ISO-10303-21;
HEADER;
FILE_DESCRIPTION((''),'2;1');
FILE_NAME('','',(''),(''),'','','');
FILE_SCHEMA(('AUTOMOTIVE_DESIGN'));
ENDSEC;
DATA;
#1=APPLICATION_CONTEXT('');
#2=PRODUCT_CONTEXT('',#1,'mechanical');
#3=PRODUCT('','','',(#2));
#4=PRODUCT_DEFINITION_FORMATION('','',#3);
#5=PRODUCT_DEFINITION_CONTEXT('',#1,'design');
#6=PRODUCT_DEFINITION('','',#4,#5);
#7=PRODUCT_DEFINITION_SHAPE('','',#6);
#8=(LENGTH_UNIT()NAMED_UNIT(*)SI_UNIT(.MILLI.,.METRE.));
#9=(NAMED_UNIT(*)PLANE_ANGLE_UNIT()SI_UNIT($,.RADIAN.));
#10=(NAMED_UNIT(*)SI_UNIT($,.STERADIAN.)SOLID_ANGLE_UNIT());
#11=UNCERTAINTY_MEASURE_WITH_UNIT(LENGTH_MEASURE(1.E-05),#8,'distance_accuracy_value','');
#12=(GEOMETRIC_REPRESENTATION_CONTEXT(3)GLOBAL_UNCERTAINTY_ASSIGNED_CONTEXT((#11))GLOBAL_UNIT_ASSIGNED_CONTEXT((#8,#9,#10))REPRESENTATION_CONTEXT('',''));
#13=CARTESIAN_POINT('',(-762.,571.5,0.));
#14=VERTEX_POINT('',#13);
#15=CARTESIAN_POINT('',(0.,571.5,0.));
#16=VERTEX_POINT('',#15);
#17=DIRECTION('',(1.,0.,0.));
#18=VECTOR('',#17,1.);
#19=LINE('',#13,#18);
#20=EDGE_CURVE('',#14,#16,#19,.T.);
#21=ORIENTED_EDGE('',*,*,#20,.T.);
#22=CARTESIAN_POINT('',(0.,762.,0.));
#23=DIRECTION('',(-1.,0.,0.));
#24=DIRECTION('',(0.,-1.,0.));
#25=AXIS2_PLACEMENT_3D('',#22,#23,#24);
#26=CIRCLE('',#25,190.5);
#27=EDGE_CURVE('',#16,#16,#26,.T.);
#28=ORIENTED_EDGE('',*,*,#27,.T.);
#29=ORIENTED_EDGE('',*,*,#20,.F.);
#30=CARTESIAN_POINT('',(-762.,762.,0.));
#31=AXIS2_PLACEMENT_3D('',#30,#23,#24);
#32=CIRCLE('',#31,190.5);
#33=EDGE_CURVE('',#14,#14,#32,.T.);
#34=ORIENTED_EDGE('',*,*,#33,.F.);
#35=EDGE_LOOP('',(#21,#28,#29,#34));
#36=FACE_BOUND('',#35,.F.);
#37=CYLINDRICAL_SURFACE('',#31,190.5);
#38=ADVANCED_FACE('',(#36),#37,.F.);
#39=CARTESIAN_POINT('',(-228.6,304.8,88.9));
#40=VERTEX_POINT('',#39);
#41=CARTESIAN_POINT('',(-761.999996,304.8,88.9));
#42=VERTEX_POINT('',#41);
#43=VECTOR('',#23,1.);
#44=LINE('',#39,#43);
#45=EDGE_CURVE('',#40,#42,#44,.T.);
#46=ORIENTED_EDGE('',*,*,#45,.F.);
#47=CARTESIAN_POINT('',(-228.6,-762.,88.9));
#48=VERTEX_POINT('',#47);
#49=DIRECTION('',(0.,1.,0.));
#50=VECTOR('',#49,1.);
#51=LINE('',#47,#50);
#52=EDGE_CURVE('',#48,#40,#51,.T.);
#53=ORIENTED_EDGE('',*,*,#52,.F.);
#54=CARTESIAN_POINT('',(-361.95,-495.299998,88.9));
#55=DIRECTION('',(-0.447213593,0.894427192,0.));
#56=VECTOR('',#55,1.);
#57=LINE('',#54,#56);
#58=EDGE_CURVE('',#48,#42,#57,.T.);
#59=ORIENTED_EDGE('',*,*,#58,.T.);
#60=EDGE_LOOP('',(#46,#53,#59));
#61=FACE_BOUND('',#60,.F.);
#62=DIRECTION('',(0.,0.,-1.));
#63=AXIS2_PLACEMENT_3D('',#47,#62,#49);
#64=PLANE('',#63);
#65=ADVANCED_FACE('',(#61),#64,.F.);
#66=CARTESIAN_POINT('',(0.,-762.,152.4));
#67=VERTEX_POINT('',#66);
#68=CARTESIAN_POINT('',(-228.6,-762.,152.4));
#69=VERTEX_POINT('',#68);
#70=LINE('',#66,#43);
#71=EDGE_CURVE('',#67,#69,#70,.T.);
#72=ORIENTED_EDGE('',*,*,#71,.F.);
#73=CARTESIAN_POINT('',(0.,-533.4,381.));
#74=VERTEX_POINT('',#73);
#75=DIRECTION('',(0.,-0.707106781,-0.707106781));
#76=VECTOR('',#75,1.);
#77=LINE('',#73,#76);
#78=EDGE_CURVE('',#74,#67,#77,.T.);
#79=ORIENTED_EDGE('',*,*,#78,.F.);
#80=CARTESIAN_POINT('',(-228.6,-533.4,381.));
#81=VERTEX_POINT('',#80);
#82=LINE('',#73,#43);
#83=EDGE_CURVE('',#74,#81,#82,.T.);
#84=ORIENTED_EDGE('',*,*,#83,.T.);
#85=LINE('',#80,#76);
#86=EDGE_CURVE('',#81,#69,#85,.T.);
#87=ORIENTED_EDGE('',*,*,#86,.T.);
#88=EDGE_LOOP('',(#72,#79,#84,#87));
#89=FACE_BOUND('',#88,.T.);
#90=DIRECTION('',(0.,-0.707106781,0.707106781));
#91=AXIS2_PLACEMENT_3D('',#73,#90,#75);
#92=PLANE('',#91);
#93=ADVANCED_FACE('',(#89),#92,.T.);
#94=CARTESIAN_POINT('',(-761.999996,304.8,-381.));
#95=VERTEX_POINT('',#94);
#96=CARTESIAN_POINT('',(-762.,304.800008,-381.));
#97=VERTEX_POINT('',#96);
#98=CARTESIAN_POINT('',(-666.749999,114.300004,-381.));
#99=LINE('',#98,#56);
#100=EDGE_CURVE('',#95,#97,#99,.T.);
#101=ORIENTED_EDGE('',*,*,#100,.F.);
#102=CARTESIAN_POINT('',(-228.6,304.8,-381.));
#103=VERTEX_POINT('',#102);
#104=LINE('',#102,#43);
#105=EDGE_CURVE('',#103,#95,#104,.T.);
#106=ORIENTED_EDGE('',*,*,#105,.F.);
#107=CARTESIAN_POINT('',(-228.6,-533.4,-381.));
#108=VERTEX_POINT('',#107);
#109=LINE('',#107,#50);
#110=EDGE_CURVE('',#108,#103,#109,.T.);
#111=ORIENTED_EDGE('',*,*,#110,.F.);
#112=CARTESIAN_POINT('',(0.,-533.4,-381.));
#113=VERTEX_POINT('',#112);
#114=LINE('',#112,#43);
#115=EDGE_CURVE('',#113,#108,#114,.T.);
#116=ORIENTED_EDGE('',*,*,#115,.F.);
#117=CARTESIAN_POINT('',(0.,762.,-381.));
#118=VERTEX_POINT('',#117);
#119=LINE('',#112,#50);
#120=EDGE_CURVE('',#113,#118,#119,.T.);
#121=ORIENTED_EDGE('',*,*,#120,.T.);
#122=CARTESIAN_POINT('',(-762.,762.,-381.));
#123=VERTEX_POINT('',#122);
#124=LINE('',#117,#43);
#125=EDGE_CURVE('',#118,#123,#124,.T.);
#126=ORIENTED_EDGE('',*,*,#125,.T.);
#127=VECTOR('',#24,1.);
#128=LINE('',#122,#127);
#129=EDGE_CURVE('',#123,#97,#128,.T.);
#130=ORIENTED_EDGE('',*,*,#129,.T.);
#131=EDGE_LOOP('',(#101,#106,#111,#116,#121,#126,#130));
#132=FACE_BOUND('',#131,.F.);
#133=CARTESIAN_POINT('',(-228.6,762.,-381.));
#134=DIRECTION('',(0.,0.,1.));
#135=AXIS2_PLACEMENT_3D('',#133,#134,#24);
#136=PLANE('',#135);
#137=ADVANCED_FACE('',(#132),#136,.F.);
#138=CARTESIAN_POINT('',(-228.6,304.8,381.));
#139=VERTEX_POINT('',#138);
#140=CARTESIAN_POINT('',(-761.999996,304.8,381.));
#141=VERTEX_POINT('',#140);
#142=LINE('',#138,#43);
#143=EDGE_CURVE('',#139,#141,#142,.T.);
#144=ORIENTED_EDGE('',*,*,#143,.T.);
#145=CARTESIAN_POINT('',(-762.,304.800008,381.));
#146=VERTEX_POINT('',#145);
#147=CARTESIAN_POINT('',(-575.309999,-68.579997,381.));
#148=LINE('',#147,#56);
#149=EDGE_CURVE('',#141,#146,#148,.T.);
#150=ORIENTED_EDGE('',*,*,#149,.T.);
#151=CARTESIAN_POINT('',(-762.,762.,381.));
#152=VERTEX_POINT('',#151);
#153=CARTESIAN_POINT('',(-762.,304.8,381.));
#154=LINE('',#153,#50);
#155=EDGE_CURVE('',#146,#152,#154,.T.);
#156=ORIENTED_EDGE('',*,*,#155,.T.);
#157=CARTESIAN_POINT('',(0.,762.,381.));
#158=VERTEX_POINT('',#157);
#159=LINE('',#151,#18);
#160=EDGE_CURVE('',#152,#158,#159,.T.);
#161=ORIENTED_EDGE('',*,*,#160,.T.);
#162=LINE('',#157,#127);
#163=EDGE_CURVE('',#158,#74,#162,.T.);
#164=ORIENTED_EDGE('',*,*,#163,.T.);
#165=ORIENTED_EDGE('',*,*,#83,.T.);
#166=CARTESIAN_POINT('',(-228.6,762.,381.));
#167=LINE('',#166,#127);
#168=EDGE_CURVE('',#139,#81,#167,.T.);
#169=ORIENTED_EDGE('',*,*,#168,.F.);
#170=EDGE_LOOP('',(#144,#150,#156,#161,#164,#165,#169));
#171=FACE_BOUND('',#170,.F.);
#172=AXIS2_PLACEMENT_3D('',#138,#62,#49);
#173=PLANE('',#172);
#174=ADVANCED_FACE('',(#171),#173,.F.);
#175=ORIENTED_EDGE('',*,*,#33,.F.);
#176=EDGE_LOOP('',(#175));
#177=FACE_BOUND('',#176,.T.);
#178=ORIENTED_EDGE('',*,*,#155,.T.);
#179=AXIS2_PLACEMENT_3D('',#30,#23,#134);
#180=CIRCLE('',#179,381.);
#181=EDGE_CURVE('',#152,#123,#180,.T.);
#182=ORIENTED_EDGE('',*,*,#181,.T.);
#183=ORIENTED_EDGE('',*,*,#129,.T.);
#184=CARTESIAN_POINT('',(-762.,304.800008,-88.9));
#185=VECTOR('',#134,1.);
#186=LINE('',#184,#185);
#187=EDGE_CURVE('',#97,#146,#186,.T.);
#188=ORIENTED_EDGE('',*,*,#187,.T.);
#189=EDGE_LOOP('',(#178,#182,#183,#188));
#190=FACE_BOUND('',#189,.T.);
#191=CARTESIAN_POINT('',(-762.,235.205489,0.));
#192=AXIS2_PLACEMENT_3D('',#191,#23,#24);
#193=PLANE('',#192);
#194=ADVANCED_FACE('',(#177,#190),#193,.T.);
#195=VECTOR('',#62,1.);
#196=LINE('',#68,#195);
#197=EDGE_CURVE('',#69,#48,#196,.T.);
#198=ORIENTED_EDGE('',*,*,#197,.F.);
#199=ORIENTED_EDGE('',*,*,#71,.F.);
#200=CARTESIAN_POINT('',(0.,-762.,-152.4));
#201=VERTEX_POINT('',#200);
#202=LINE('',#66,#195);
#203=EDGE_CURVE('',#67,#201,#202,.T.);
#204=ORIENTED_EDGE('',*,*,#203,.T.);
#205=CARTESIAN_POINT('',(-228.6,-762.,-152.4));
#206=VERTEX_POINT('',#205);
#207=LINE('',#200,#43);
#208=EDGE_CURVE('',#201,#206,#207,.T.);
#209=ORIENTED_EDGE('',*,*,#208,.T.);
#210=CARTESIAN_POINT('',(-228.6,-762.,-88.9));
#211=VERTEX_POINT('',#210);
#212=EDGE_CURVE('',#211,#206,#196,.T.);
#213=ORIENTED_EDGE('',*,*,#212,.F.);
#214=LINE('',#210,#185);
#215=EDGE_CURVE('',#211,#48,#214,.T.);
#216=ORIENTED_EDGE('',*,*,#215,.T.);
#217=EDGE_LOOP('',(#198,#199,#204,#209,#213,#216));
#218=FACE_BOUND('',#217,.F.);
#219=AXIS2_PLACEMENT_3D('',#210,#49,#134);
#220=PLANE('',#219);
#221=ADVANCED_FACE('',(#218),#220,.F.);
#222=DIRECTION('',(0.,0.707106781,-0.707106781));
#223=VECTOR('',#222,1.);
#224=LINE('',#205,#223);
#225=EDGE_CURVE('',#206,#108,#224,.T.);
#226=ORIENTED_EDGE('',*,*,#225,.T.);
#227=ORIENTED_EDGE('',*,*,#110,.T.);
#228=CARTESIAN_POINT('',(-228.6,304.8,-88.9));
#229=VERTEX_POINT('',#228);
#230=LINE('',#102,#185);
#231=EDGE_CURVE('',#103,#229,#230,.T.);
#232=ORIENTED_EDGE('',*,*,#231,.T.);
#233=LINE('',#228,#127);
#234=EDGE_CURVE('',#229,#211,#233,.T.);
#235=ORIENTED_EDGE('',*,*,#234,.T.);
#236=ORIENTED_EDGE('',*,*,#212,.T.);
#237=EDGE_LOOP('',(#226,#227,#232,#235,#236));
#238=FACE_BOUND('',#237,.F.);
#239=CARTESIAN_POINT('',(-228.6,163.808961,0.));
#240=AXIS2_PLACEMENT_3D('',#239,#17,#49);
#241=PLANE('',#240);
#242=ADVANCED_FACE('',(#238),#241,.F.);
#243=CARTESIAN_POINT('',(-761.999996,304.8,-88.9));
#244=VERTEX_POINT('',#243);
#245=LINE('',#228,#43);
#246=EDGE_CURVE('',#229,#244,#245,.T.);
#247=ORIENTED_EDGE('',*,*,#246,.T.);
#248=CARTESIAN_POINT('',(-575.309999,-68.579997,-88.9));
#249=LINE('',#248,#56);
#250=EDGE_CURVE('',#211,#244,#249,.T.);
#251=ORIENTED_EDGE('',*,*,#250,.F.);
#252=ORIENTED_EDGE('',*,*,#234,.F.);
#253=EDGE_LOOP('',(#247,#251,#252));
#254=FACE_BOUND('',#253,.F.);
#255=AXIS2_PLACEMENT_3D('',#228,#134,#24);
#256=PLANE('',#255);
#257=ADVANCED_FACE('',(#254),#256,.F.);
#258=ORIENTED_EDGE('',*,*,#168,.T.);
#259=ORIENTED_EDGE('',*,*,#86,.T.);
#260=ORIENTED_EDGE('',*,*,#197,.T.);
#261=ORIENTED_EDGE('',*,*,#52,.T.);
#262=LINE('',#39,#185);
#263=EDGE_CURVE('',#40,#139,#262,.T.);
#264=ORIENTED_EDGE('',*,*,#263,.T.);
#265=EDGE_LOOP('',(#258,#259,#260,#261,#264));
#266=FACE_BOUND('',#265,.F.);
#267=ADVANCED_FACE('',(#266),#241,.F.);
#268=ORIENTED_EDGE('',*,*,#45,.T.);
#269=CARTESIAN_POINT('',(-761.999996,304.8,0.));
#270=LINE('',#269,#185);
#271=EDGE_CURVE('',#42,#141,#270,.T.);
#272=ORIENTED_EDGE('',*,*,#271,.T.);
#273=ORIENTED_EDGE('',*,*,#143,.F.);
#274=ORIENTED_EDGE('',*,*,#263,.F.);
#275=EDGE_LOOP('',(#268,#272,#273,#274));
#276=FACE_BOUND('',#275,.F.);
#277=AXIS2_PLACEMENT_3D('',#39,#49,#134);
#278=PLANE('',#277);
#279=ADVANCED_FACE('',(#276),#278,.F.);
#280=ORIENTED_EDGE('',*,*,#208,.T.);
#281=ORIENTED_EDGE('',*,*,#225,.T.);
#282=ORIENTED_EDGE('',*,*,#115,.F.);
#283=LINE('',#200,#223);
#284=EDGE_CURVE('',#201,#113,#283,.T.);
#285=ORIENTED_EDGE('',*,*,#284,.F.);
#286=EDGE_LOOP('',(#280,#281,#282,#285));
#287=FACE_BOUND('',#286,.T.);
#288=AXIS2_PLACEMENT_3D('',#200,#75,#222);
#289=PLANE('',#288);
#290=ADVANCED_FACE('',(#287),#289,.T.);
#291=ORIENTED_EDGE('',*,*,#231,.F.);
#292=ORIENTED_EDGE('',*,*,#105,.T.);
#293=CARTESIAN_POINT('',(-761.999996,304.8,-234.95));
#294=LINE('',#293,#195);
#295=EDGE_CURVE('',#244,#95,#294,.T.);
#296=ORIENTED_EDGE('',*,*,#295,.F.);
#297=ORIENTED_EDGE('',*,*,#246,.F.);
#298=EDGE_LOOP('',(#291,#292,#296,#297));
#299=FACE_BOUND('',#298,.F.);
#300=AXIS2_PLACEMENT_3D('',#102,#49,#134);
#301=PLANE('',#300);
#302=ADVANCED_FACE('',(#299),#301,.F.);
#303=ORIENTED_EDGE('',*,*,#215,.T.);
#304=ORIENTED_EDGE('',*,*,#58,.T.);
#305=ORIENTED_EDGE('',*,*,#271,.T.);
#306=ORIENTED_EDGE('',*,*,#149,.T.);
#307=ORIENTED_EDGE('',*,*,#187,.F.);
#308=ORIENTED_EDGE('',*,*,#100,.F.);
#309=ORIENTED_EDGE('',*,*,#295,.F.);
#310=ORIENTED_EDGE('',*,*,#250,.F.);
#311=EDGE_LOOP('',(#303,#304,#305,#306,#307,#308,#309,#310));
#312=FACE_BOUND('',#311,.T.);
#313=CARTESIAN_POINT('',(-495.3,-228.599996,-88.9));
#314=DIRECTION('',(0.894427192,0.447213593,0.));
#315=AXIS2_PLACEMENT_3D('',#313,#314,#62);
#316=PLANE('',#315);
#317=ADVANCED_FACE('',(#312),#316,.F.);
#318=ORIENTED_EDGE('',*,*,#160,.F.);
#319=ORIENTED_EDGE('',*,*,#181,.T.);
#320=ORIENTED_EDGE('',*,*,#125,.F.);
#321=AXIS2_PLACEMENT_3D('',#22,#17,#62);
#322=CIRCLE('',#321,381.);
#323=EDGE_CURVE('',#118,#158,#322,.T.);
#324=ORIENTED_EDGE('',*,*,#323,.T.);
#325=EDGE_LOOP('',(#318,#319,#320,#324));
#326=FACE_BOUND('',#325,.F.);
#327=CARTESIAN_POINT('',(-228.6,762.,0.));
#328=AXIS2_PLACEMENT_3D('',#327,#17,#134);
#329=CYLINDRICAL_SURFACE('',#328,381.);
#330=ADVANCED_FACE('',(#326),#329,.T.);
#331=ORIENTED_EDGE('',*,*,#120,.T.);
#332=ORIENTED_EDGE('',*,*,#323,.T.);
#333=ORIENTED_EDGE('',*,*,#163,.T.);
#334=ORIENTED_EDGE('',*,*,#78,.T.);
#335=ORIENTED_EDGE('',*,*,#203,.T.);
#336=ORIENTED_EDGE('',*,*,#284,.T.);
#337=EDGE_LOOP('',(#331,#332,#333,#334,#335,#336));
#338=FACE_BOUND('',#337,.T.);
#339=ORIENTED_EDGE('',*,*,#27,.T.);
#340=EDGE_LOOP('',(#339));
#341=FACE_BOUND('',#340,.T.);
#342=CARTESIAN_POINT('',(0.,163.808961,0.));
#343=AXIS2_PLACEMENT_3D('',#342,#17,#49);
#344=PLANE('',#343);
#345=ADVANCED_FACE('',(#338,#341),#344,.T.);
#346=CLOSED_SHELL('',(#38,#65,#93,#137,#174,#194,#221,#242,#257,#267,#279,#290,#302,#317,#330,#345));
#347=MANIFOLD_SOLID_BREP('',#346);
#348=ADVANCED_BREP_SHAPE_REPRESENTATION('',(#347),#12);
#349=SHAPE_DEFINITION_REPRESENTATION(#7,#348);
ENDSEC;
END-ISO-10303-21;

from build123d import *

# Parameters (mm, degrees)
F1_DEPTH = 228.6
F3_DEPTH = 533.4
F4_SIZE2 = 1066.800008
F4_SIZE  = 533.4
F5_R     = 190.5
F6_DEPTH = 762


with BuildPart() as f1:
    # F0 (on Right) → F1 (new body)
    with BuildSketch(Plane.YZ):
        with BuildLine():
            Line((762, 381), (-533.4, 381))
            Line((-533.4, 381), (-762, 152.4))
            Line((-762, 152.4), (-762, -152.4))
            Line((-762, -152.4), (-533.4, -381))
            Line((-533.4, -381), (762, -381))
            ThreePointArc((762, -381), (1143, 0), (762, 381))
        make_face()
    extrude(amount=-F1_DEPTH)

    # F2 (on face) → F3 (join)
    with BuildSketch(Plane(origin=(-228.6, 0, 0), x_dir=(0, -1, 0), z_dir=(-1, 0, 0))):
        with BuildLine():
            ThreePointArc((-762, 381), (-1143, 0), (-762, -381))
            Line((-762, -381), (-304.8, -381))
            Line((-304.8, -381), (-304.8, -88.9))
            Line((-304.8, -88.9), (762, -88.9))
            Line((762, -88.9), (762, 88.9))
            Line((762, 88.9), (-304.8, 88.9))
            Line((-304.8, 88.9), (-304.8, 381))
            Line((-304.8, 381), (-762, 381))
        make_face()
    extrude(amount=F3_DEPTH)

    # F4
    f4_edges = [f1.edges().sort_by_distance(p)[0] for p in [
        (-762, -762, 0),
    ]]
    chamfer(f4_edges, length=F4_SIZE, length2=F4_SIZE2)

    # F5 (on face) → F6 (cut)
    with BuildSketch(Plane(origin=(-762, 0, 0), x_dir=(0, -1, 0), z_dir=(-1, 0, 0))):
        with Locations((-762, 0)):
            Circle(F5_R)
    extrude(amount=-F6_DEPTH, mode=Mode.SUBTRACT)


solid = f1.part
